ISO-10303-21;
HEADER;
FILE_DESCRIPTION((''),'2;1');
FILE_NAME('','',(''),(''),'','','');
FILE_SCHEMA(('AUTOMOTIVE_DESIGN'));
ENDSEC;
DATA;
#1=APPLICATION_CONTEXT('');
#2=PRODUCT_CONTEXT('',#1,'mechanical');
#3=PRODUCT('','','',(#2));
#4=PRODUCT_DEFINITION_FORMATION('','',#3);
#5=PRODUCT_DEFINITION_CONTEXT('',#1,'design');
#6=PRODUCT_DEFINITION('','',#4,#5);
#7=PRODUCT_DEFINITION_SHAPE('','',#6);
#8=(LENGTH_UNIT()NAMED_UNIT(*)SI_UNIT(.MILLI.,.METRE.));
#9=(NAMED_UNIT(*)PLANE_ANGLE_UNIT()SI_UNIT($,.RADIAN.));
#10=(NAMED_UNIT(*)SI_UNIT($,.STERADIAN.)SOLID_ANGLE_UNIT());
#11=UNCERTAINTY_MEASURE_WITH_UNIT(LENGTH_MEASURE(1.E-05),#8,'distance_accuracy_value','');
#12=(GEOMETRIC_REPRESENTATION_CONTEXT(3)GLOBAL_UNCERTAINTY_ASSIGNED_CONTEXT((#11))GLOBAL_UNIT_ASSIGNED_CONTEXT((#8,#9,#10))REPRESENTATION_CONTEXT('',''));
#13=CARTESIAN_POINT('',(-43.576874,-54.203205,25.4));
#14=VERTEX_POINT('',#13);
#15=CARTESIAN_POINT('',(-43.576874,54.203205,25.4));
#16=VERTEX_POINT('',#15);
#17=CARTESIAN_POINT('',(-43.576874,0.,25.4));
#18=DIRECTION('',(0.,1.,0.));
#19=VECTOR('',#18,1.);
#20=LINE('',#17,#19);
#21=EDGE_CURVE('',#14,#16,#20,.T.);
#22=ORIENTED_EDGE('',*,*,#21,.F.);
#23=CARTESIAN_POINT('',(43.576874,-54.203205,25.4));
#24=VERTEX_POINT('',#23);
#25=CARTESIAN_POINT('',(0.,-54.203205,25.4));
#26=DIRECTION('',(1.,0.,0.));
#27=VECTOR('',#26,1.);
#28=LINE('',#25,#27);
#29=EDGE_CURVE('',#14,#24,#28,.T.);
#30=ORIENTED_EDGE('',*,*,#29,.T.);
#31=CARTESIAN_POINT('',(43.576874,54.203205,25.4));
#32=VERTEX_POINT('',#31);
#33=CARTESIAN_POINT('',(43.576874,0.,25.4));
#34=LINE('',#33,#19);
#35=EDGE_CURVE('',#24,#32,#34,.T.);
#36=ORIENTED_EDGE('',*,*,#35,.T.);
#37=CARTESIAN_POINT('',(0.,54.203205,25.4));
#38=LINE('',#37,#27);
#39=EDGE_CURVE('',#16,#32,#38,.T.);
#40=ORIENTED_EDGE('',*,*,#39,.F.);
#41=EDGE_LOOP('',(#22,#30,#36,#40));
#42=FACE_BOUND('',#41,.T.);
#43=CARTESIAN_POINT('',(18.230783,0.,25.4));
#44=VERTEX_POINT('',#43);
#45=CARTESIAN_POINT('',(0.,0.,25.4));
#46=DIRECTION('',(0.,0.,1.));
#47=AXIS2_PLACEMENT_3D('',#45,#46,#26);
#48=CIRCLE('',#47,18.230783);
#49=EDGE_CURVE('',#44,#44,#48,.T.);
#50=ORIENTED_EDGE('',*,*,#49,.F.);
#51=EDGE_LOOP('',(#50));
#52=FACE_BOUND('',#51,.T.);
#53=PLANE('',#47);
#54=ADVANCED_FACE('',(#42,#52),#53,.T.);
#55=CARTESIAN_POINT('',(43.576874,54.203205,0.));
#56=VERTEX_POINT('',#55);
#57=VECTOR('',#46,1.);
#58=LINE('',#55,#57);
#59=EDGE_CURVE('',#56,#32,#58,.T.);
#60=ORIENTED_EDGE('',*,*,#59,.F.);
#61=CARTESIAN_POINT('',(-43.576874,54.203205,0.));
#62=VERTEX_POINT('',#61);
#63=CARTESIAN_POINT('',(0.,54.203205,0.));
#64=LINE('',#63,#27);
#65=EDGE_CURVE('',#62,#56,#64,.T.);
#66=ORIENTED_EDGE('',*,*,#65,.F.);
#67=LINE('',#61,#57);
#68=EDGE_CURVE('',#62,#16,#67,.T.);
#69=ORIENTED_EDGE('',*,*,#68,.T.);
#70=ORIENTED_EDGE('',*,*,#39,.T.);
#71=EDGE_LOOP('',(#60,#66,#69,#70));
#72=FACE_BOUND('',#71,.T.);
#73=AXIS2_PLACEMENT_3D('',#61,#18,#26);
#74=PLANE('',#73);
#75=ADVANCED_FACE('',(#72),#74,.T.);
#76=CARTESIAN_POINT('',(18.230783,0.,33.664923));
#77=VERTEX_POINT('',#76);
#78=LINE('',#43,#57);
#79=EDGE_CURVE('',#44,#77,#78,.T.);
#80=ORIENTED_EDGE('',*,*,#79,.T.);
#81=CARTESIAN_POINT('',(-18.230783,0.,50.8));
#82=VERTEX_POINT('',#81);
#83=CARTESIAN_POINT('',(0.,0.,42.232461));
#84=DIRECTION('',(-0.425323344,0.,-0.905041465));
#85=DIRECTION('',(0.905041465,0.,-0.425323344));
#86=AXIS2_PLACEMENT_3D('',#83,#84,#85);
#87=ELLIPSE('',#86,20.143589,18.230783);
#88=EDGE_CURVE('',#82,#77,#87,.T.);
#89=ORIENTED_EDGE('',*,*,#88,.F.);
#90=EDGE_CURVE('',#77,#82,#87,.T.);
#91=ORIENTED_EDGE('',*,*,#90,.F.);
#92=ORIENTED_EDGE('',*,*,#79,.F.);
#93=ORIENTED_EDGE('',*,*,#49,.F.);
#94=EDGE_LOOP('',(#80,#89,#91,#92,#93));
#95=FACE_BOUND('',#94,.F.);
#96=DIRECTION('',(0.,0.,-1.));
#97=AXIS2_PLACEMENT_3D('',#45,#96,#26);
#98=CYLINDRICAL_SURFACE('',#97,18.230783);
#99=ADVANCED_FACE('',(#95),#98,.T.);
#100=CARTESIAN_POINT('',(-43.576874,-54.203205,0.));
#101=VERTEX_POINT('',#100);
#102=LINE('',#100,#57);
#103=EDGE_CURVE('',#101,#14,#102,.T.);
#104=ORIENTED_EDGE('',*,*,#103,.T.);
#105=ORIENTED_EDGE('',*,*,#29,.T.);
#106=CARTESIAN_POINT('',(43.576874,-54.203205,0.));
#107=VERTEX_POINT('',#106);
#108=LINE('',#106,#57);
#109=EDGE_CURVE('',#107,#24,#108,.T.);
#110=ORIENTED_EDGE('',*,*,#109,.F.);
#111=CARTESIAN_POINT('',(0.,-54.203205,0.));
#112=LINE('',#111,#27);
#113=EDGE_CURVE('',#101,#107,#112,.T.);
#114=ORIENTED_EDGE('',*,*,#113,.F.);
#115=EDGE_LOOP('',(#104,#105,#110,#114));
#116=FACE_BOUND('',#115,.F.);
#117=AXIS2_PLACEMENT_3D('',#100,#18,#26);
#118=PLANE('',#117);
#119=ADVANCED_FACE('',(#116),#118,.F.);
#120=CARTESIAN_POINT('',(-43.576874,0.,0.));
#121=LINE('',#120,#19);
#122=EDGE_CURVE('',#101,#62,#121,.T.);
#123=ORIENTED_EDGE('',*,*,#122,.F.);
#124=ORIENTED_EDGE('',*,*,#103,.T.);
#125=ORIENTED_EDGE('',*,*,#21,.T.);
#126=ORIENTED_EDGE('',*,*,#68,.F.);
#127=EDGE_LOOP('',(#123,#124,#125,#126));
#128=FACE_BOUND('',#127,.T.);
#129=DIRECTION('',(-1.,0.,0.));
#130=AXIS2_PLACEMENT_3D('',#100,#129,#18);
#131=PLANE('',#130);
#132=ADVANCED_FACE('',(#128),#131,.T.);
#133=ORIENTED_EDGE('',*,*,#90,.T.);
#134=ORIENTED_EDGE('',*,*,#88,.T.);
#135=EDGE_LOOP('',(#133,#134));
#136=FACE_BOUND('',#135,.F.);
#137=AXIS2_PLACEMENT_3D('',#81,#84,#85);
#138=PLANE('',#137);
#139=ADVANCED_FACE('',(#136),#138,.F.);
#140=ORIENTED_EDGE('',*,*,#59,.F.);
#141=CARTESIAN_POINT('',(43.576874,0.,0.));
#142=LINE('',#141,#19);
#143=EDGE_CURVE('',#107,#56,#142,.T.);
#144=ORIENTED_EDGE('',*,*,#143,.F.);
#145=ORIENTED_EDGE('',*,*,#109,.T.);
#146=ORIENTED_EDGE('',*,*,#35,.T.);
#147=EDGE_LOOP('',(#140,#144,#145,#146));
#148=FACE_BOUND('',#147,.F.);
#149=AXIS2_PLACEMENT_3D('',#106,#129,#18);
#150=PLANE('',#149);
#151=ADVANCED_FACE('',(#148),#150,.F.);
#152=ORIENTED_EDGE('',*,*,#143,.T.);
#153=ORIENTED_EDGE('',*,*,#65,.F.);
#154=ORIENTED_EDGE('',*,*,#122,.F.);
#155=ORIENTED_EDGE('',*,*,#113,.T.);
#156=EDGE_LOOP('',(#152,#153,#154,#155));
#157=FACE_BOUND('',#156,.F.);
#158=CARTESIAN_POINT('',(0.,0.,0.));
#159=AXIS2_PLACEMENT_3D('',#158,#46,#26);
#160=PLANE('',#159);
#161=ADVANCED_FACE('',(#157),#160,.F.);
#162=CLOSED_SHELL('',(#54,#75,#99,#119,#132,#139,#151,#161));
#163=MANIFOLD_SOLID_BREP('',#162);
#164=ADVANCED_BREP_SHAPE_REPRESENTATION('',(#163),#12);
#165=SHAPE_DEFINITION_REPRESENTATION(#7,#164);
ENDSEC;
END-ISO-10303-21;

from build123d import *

# Parameters (mm, degrees)
F0_W     = 87.153748
F0_H     = 108.40641
F1_DEPTH = 25.4
F2_R     = 18.230783
F3_DEPTH = 25.4
F5_DEPTH = 38.1


with BuildPart() as f1:
    # F0 (on Top) → F1 (new body)
    with BuildSketch(Plane.XY):
        Rectangle(F0_W, F0_H)
    extrude(amount=F1_DEPTH)

    # F2 (on face) → F3 (join)
    with BuildSketch(Plane.XY.offset(25.4)):
        Circle(F2_R)
    extrude(amount=F3_DEPTH)

    # F4 (on Front) → F5 (cut, symmetric)
    with BuildSketch(Plane.XZ):
        Polygon((18.230783, 33.664923), (18.230783, 50.8), (-18.230783, 50.8), align=None)
    extrude(amount=F5_DEPTH, both=True, mode=Mode.SUBTRACT)


solid = f1.part
